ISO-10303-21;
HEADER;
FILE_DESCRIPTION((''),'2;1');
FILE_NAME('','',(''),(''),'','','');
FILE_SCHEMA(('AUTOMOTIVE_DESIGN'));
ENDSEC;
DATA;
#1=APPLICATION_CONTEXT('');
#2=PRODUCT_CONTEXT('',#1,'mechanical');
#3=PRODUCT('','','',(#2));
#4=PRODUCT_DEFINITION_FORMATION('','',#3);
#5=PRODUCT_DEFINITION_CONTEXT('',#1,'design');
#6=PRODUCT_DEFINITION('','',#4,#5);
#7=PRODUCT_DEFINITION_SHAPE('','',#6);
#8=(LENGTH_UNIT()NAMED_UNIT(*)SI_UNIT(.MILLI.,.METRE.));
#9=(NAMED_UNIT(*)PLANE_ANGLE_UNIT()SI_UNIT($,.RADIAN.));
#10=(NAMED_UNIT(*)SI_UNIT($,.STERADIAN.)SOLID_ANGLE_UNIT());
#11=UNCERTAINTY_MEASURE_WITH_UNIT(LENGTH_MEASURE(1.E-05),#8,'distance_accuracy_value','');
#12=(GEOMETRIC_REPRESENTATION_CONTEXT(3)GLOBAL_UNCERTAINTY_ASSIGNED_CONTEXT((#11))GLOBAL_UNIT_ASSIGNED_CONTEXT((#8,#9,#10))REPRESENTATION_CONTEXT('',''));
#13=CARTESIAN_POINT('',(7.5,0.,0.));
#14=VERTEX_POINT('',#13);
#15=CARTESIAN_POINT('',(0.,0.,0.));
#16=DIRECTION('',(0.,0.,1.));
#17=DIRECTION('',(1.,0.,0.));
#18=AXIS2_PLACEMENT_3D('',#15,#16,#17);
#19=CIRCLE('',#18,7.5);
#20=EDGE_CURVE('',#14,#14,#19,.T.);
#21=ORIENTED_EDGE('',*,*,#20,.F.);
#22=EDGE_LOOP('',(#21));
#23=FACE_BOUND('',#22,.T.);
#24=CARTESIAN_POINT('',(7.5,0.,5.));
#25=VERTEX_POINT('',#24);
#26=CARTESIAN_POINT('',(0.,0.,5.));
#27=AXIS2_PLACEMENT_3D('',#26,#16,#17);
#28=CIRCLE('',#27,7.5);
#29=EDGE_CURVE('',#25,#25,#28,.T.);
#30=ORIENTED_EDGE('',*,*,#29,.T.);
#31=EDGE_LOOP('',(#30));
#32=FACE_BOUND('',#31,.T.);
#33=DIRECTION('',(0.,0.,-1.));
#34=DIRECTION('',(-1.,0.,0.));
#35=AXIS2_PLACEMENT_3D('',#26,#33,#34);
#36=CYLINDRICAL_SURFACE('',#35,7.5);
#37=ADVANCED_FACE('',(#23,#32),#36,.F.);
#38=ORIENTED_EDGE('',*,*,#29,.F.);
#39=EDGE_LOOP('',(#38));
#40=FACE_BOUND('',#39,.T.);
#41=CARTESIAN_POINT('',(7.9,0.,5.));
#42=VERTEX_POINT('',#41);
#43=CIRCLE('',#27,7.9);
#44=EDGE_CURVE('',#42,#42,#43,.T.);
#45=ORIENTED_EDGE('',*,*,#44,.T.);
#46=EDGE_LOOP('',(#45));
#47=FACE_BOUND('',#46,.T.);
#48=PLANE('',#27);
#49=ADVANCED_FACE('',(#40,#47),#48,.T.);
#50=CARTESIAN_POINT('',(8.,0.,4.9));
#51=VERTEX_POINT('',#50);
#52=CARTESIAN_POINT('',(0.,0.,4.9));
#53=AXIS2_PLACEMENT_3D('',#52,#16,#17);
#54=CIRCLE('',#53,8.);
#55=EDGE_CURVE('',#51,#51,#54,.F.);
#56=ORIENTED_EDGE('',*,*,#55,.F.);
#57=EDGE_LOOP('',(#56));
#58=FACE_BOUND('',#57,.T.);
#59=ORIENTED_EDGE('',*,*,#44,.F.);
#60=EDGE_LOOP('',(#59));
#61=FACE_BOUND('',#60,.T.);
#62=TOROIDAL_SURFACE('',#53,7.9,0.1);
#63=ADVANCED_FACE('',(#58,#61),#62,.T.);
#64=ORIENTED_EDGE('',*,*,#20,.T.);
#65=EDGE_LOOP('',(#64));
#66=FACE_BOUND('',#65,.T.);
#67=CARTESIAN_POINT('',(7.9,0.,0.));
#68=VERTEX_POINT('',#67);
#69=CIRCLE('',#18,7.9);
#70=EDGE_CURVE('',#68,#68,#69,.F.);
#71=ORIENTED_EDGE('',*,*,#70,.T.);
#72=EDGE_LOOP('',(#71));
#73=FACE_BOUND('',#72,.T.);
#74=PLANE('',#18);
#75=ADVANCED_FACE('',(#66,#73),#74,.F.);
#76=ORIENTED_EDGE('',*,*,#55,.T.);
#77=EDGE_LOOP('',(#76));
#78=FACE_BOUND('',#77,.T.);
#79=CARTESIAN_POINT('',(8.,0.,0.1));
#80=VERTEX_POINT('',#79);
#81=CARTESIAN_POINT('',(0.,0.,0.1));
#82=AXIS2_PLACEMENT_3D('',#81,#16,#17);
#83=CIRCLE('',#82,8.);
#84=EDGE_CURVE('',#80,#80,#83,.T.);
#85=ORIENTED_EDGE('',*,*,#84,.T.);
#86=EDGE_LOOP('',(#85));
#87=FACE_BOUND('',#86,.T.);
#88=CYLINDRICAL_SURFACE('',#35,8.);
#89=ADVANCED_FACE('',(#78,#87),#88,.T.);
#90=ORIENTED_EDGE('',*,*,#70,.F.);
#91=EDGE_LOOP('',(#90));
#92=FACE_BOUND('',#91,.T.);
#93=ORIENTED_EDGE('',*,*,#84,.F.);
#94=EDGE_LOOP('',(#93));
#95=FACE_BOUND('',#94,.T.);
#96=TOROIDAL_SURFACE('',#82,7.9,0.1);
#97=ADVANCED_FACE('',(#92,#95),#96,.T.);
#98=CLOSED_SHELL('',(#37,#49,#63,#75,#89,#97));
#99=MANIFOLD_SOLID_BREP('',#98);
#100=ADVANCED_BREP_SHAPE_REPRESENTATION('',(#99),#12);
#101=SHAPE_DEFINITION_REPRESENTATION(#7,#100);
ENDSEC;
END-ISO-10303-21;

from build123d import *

# Parameters (mm, degrees)
IZIM1_R                     = 8
IZIM1_R_2                   = 7.5
Y_KSEKLIK_EKSTR_ZYON2_DEPTH = 5
RADYUS2_R                   = 0.1


with BuildPart() as part:
    # Çizim1 → Yükseklik-Ekstrüzyon2 (new body)
    with BuildSketch(Plane.XY):
        Circle(IZIM1_R)
        Circle(IZIM1_R_2, mode=Mode.SUBTRACT)
    extrude(amount=Y_KSEKLIK_EKSTR_ZYON2_DEPTH)

    # Radyus2
    radyus2_edges = [part.edges().sort_by_distance(p)[0] for p in [
        (-8, 0, 0),
        (-8, 0, 5),
    ]]
    fillet(radyus2_edges, radius=RADYUS2_R)


solid = part.part
